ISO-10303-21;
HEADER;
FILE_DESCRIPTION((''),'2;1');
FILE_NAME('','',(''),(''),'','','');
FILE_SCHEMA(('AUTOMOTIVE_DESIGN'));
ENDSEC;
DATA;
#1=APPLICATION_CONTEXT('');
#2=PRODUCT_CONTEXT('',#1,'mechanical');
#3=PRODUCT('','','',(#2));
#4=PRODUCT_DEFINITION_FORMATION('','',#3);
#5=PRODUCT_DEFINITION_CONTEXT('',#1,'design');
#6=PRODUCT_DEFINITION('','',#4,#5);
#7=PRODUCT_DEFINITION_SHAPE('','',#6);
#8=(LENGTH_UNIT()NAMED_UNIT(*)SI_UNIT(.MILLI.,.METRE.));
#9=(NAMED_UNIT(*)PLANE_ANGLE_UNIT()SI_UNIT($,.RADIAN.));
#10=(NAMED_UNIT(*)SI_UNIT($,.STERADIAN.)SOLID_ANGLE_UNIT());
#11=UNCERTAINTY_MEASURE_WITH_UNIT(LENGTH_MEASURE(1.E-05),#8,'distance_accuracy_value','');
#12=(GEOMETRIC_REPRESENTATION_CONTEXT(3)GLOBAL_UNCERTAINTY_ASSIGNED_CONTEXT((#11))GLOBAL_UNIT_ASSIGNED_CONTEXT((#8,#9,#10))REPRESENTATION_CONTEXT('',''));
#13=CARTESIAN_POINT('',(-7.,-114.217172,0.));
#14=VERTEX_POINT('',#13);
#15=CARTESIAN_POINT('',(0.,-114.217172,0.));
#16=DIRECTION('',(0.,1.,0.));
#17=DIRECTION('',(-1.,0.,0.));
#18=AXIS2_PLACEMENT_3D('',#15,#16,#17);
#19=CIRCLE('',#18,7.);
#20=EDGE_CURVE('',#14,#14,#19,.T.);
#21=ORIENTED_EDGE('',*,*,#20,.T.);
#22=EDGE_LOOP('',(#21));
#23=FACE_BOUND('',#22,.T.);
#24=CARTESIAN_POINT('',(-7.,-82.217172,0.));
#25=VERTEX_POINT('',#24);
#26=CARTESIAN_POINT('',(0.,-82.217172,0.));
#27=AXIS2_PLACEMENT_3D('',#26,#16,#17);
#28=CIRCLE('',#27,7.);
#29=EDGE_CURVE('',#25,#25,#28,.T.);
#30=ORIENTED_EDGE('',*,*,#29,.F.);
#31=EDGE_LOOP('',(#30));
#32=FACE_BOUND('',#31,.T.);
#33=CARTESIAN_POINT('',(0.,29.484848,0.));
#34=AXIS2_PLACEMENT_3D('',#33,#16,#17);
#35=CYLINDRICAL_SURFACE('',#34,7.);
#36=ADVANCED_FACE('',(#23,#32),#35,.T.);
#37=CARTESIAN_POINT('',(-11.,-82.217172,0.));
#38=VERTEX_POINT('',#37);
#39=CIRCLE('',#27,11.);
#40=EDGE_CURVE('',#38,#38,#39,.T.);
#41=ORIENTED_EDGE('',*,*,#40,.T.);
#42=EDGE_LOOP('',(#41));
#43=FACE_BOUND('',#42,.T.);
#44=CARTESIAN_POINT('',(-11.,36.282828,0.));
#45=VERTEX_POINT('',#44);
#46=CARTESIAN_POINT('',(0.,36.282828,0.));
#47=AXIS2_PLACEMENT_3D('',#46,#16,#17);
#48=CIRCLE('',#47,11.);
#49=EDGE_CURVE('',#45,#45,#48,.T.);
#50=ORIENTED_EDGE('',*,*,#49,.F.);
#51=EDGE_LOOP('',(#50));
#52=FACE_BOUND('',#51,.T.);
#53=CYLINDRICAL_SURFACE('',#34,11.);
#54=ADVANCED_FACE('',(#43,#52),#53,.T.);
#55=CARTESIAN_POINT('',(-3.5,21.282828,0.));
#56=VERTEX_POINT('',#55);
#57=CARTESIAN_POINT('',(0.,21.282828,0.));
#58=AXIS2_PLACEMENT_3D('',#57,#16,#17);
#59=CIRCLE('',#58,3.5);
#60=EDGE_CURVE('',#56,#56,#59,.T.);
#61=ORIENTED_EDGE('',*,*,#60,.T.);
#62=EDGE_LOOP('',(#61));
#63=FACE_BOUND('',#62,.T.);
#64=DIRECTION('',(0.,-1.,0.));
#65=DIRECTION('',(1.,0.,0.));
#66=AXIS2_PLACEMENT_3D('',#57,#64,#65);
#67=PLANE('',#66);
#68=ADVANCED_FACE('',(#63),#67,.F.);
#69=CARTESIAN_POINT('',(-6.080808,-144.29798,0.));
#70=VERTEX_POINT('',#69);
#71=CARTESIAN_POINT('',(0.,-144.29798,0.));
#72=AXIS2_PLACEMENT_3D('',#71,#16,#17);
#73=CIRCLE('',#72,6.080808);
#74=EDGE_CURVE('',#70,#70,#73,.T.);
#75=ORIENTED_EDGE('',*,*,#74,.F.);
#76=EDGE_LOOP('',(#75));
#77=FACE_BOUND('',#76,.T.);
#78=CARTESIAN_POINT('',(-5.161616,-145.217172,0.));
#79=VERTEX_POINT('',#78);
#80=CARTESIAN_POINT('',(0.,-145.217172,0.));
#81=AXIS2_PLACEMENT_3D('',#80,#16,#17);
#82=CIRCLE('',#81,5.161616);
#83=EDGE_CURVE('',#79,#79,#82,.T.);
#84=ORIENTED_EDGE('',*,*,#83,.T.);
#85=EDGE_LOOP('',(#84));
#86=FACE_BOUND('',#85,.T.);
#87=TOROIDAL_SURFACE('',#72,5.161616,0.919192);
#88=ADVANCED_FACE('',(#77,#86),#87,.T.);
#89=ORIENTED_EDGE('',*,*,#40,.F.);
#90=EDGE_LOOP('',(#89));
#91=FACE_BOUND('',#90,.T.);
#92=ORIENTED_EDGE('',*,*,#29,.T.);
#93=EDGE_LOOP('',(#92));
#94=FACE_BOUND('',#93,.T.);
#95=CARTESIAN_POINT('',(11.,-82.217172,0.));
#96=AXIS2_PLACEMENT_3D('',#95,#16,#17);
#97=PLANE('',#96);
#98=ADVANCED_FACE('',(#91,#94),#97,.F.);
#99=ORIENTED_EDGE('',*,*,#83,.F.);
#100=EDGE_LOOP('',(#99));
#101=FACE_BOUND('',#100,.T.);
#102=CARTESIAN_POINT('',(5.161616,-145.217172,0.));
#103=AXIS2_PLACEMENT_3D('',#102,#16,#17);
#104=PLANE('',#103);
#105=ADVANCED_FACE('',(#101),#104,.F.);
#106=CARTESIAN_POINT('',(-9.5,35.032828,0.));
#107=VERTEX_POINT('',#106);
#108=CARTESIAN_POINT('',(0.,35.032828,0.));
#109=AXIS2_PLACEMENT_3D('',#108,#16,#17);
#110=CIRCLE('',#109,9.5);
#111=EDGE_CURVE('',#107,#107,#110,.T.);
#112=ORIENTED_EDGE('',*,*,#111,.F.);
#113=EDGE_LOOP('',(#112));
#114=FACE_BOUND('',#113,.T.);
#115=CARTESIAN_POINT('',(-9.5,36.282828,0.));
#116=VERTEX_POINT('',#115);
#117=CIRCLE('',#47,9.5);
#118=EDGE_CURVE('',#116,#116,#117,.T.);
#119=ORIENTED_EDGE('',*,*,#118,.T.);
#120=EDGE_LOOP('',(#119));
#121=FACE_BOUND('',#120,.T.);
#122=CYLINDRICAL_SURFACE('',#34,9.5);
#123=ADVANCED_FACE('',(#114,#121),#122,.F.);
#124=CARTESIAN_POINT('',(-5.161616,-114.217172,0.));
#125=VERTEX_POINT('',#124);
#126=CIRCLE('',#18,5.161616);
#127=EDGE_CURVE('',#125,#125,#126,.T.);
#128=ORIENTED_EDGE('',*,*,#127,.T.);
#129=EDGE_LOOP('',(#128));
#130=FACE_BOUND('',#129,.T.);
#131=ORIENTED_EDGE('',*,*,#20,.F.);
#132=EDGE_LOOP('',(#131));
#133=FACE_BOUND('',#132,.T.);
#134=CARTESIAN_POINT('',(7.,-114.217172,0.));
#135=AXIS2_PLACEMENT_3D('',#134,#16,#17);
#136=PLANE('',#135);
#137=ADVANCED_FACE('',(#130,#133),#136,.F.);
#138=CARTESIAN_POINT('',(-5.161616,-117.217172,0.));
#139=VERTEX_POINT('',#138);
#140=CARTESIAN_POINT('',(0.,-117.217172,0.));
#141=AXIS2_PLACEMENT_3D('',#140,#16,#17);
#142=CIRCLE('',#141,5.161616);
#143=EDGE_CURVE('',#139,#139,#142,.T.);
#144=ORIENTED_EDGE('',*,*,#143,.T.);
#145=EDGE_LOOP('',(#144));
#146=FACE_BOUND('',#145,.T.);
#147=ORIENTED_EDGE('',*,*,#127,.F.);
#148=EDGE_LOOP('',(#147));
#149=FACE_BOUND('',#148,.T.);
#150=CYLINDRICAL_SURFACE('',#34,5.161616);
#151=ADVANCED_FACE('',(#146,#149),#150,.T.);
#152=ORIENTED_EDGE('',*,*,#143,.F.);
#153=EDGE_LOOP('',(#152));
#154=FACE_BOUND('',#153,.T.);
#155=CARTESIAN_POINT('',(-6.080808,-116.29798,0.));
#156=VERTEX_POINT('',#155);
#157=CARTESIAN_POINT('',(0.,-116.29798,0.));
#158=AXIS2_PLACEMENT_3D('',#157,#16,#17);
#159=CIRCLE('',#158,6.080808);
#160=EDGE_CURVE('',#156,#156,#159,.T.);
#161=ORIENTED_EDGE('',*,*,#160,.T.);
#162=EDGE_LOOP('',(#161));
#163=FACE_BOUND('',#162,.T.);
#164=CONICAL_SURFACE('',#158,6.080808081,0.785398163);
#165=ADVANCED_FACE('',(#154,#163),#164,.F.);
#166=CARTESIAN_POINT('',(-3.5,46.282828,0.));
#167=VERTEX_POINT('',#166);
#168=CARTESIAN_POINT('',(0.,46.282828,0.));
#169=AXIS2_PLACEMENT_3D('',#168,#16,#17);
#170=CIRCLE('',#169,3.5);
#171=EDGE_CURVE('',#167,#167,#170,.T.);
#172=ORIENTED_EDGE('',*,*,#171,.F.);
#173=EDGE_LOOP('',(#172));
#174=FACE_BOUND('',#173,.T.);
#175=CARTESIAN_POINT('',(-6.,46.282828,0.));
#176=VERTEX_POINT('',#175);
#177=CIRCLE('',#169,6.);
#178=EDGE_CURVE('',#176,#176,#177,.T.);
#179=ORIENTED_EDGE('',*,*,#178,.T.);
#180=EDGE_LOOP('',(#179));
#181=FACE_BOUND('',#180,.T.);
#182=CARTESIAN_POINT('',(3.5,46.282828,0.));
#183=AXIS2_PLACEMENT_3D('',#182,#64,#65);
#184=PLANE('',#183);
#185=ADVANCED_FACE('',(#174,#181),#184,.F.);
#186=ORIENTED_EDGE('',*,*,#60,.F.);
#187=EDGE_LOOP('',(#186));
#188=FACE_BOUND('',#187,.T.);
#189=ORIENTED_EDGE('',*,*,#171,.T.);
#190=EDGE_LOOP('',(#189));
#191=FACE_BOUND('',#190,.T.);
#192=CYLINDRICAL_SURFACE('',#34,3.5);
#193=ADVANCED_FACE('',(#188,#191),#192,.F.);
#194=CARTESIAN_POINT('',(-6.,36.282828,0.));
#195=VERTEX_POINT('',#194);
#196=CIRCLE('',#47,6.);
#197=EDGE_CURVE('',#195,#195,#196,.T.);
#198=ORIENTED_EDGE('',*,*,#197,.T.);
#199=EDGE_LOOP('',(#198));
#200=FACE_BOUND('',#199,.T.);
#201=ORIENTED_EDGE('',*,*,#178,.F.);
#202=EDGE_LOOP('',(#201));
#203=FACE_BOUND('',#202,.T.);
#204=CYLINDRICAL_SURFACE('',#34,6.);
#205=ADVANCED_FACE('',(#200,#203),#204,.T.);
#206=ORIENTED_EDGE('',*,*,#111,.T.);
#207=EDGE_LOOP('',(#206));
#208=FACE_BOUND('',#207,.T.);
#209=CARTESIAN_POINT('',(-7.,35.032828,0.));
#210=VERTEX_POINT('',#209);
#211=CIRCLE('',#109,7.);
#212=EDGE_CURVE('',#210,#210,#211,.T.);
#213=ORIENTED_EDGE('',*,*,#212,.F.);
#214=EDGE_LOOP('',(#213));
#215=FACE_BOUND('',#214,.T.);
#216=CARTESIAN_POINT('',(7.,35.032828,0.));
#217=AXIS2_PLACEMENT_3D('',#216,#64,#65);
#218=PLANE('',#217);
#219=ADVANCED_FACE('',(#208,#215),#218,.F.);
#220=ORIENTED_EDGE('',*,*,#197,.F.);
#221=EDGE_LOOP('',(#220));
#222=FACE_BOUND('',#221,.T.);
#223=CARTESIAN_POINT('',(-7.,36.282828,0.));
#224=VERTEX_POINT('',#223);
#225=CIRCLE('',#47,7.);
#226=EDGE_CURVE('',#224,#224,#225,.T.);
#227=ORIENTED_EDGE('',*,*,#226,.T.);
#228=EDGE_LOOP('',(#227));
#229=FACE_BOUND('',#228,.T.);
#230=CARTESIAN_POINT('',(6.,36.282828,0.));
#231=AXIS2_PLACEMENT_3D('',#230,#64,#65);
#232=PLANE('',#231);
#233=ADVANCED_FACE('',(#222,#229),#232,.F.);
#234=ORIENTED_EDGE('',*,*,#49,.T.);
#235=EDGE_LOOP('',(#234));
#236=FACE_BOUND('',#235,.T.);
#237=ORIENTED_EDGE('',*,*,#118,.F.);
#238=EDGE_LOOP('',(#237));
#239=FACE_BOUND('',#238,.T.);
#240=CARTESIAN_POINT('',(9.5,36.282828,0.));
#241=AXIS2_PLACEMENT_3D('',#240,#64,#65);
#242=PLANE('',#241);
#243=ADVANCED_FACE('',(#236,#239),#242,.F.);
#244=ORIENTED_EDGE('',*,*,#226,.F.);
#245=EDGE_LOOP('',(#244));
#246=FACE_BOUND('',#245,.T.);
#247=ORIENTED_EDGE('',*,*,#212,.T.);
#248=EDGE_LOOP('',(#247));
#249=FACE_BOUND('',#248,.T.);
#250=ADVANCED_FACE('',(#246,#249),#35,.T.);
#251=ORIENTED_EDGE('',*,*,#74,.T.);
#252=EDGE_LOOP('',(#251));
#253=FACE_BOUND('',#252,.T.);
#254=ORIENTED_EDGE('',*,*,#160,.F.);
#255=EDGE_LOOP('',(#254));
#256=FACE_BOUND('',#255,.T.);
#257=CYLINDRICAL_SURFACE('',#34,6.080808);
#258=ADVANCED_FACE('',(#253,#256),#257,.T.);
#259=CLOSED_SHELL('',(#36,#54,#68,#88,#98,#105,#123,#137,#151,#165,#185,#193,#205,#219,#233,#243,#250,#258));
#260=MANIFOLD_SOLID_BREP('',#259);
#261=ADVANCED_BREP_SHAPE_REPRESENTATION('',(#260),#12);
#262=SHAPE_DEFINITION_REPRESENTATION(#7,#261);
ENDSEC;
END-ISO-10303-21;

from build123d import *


with BuildPart() as part:
    # Croquis1 → Revolución1 (revolve)
    with BuildSketch(Plane.XY):
        with BuildLine():
            Line((3.5, 46.282828283), (6, 46.282828283))
            Line((6, 46.282828283), (6, 36.282828283))
            Line((6, 36.282828283), (7, 36.282828283))
            Line((7, 36.282828283), (7, 35.032828283))
            Line((7, 35.032828283), (9.5, 35.032828283))
            Line((9.5, 35.032828283), (9.5, 36.282828283))
            Line((9.5, 36.282828283), (11, 36.282828283))
            Line((11, 36.282828283), (11, -82.217171717))
            Line((11, -82.217171717), (7, -82.217171717))
            Line((7, -82.217171717), (7, -114.217171717))
            Line((7, -114.217171717), (5.161616162, -114.217171717))
            Line((5.161616162, -114.217171717), (5.161616162, -117.217171717))
            Line((5.161616162, -117.217171717), (6.080808081, -116.297979798))
            Line((6.080808081, -116.297979798), (6.080808081, -144.297979798))
            ThreePointArc((6.080808081, -144.297979798), (5.811583001, -144.947946637), (5.161616162, -145.217171717))
            Line((5.161616162, -145.217171717), (0, -145.217171717))
            Line((0, -145.217171717), (0, 21.282828283))
            Line((0, 21.282828283), (3.5, 21.282828283))
            Line((3.5, 21.282828283), (3.5, 46.282828283))
        make_face()
    revolve(axis=Axis((0, 29.484848485, 0), (0, -1, 0)))


solid = part.part
